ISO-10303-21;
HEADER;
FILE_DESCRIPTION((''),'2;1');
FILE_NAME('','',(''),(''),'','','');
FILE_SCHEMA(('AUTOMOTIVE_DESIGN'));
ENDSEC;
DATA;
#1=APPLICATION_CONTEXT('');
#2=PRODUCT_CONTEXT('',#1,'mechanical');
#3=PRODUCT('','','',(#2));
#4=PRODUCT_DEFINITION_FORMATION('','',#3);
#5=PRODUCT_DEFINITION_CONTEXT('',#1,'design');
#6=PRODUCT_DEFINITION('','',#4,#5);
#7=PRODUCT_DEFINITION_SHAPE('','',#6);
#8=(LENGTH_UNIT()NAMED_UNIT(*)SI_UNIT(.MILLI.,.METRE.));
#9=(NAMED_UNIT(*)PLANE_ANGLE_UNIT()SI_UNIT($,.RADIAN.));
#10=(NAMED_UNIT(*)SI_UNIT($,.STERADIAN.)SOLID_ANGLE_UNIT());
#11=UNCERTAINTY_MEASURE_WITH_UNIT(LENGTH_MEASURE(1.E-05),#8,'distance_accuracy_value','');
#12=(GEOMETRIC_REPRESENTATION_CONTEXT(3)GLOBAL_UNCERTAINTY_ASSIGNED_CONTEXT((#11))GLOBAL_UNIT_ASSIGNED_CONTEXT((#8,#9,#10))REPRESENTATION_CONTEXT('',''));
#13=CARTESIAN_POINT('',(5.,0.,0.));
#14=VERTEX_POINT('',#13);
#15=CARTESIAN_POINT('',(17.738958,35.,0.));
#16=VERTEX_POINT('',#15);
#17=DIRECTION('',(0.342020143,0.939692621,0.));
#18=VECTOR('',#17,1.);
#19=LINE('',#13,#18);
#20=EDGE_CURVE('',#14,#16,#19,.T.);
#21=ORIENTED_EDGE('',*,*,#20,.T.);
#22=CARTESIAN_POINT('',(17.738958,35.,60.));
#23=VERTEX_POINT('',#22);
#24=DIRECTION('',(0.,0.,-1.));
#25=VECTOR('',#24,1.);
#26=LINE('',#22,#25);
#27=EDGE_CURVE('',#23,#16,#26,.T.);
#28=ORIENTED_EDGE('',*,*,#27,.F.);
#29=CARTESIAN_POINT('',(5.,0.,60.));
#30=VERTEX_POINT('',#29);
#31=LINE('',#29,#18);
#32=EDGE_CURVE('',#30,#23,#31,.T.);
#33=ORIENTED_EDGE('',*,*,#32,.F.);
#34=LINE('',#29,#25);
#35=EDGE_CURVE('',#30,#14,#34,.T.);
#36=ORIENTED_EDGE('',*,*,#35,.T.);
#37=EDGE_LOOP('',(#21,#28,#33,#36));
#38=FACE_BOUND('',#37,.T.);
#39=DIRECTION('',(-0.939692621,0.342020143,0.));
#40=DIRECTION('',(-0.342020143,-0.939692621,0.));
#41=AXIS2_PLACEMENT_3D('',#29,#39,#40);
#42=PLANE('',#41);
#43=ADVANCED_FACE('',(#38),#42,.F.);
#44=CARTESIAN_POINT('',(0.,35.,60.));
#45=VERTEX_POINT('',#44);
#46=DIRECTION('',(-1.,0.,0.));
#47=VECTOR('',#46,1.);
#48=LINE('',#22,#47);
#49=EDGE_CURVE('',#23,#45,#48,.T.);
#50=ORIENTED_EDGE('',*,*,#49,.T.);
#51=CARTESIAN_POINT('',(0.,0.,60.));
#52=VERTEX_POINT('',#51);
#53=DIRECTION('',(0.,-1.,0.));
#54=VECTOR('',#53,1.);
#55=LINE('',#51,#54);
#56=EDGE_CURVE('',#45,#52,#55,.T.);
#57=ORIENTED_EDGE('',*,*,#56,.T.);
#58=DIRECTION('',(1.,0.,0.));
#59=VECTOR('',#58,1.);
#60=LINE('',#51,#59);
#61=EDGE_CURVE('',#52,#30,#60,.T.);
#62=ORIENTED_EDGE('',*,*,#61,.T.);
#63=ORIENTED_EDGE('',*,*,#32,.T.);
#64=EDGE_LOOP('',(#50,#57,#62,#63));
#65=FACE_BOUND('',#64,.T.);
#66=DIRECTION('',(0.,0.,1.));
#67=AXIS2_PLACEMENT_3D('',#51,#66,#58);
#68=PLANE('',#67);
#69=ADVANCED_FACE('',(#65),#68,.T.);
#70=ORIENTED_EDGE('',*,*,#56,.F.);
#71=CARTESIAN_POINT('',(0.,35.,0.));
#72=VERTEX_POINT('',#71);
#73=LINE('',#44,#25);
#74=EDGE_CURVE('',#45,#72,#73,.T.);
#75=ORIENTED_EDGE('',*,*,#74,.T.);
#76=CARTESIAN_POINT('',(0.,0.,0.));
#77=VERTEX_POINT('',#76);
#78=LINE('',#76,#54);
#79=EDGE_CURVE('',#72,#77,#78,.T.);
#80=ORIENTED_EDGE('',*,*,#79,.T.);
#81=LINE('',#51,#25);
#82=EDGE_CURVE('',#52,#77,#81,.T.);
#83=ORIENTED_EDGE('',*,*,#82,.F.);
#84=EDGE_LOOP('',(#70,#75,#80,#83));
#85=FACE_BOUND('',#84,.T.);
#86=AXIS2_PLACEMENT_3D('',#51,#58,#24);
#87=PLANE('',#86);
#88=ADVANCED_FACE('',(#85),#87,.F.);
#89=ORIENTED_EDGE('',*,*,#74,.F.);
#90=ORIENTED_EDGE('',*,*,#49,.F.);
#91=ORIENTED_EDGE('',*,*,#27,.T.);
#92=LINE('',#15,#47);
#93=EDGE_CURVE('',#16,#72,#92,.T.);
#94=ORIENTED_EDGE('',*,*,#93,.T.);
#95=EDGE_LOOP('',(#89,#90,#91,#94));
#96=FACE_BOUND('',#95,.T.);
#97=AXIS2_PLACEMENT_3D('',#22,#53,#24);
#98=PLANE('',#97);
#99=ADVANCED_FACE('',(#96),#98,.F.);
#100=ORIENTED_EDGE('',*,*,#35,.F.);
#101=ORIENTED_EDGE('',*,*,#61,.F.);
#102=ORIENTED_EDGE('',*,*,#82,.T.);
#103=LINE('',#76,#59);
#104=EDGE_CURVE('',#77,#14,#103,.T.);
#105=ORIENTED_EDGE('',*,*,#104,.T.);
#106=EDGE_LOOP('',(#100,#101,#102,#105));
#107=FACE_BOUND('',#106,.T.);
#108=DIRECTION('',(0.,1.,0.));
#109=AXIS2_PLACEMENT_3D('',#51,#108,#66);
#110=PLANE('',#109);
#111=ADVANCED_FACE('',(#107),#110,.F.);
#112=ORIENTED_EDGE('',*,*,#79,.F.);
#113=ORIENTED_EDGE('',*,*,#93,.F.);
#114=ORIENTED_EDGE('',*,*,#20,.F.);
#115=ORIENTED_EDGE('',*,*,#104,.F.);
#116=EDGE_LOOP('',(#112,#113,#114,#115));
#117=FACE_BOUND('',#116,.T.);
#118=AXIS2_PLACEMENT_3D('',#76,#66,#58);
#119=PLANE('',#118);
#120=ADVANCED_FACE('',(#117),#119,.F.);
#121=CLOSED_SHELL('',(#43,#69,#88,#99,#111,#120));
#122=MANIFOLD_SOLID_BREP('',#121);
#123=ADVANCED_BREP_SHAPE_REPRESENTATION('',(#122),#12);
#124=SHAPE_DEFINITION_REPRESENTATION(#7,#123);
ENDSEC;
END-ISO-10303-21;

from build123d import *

# Parameters (mm, degrees)
BOSS_EXTRUDE1_DEPTH = 60


with BuildPart() as part:
    # Sketch1 → Boss-Extrude1 (new body)
    with BuildSketch(Plane.XY):
        Polygon((0, 0), (0, 35), (17.738958199, 35), (5, 0), align=None)
    extrude(amount=BOSS_EXTRUDE1_DEPTH)


solid = part.part
